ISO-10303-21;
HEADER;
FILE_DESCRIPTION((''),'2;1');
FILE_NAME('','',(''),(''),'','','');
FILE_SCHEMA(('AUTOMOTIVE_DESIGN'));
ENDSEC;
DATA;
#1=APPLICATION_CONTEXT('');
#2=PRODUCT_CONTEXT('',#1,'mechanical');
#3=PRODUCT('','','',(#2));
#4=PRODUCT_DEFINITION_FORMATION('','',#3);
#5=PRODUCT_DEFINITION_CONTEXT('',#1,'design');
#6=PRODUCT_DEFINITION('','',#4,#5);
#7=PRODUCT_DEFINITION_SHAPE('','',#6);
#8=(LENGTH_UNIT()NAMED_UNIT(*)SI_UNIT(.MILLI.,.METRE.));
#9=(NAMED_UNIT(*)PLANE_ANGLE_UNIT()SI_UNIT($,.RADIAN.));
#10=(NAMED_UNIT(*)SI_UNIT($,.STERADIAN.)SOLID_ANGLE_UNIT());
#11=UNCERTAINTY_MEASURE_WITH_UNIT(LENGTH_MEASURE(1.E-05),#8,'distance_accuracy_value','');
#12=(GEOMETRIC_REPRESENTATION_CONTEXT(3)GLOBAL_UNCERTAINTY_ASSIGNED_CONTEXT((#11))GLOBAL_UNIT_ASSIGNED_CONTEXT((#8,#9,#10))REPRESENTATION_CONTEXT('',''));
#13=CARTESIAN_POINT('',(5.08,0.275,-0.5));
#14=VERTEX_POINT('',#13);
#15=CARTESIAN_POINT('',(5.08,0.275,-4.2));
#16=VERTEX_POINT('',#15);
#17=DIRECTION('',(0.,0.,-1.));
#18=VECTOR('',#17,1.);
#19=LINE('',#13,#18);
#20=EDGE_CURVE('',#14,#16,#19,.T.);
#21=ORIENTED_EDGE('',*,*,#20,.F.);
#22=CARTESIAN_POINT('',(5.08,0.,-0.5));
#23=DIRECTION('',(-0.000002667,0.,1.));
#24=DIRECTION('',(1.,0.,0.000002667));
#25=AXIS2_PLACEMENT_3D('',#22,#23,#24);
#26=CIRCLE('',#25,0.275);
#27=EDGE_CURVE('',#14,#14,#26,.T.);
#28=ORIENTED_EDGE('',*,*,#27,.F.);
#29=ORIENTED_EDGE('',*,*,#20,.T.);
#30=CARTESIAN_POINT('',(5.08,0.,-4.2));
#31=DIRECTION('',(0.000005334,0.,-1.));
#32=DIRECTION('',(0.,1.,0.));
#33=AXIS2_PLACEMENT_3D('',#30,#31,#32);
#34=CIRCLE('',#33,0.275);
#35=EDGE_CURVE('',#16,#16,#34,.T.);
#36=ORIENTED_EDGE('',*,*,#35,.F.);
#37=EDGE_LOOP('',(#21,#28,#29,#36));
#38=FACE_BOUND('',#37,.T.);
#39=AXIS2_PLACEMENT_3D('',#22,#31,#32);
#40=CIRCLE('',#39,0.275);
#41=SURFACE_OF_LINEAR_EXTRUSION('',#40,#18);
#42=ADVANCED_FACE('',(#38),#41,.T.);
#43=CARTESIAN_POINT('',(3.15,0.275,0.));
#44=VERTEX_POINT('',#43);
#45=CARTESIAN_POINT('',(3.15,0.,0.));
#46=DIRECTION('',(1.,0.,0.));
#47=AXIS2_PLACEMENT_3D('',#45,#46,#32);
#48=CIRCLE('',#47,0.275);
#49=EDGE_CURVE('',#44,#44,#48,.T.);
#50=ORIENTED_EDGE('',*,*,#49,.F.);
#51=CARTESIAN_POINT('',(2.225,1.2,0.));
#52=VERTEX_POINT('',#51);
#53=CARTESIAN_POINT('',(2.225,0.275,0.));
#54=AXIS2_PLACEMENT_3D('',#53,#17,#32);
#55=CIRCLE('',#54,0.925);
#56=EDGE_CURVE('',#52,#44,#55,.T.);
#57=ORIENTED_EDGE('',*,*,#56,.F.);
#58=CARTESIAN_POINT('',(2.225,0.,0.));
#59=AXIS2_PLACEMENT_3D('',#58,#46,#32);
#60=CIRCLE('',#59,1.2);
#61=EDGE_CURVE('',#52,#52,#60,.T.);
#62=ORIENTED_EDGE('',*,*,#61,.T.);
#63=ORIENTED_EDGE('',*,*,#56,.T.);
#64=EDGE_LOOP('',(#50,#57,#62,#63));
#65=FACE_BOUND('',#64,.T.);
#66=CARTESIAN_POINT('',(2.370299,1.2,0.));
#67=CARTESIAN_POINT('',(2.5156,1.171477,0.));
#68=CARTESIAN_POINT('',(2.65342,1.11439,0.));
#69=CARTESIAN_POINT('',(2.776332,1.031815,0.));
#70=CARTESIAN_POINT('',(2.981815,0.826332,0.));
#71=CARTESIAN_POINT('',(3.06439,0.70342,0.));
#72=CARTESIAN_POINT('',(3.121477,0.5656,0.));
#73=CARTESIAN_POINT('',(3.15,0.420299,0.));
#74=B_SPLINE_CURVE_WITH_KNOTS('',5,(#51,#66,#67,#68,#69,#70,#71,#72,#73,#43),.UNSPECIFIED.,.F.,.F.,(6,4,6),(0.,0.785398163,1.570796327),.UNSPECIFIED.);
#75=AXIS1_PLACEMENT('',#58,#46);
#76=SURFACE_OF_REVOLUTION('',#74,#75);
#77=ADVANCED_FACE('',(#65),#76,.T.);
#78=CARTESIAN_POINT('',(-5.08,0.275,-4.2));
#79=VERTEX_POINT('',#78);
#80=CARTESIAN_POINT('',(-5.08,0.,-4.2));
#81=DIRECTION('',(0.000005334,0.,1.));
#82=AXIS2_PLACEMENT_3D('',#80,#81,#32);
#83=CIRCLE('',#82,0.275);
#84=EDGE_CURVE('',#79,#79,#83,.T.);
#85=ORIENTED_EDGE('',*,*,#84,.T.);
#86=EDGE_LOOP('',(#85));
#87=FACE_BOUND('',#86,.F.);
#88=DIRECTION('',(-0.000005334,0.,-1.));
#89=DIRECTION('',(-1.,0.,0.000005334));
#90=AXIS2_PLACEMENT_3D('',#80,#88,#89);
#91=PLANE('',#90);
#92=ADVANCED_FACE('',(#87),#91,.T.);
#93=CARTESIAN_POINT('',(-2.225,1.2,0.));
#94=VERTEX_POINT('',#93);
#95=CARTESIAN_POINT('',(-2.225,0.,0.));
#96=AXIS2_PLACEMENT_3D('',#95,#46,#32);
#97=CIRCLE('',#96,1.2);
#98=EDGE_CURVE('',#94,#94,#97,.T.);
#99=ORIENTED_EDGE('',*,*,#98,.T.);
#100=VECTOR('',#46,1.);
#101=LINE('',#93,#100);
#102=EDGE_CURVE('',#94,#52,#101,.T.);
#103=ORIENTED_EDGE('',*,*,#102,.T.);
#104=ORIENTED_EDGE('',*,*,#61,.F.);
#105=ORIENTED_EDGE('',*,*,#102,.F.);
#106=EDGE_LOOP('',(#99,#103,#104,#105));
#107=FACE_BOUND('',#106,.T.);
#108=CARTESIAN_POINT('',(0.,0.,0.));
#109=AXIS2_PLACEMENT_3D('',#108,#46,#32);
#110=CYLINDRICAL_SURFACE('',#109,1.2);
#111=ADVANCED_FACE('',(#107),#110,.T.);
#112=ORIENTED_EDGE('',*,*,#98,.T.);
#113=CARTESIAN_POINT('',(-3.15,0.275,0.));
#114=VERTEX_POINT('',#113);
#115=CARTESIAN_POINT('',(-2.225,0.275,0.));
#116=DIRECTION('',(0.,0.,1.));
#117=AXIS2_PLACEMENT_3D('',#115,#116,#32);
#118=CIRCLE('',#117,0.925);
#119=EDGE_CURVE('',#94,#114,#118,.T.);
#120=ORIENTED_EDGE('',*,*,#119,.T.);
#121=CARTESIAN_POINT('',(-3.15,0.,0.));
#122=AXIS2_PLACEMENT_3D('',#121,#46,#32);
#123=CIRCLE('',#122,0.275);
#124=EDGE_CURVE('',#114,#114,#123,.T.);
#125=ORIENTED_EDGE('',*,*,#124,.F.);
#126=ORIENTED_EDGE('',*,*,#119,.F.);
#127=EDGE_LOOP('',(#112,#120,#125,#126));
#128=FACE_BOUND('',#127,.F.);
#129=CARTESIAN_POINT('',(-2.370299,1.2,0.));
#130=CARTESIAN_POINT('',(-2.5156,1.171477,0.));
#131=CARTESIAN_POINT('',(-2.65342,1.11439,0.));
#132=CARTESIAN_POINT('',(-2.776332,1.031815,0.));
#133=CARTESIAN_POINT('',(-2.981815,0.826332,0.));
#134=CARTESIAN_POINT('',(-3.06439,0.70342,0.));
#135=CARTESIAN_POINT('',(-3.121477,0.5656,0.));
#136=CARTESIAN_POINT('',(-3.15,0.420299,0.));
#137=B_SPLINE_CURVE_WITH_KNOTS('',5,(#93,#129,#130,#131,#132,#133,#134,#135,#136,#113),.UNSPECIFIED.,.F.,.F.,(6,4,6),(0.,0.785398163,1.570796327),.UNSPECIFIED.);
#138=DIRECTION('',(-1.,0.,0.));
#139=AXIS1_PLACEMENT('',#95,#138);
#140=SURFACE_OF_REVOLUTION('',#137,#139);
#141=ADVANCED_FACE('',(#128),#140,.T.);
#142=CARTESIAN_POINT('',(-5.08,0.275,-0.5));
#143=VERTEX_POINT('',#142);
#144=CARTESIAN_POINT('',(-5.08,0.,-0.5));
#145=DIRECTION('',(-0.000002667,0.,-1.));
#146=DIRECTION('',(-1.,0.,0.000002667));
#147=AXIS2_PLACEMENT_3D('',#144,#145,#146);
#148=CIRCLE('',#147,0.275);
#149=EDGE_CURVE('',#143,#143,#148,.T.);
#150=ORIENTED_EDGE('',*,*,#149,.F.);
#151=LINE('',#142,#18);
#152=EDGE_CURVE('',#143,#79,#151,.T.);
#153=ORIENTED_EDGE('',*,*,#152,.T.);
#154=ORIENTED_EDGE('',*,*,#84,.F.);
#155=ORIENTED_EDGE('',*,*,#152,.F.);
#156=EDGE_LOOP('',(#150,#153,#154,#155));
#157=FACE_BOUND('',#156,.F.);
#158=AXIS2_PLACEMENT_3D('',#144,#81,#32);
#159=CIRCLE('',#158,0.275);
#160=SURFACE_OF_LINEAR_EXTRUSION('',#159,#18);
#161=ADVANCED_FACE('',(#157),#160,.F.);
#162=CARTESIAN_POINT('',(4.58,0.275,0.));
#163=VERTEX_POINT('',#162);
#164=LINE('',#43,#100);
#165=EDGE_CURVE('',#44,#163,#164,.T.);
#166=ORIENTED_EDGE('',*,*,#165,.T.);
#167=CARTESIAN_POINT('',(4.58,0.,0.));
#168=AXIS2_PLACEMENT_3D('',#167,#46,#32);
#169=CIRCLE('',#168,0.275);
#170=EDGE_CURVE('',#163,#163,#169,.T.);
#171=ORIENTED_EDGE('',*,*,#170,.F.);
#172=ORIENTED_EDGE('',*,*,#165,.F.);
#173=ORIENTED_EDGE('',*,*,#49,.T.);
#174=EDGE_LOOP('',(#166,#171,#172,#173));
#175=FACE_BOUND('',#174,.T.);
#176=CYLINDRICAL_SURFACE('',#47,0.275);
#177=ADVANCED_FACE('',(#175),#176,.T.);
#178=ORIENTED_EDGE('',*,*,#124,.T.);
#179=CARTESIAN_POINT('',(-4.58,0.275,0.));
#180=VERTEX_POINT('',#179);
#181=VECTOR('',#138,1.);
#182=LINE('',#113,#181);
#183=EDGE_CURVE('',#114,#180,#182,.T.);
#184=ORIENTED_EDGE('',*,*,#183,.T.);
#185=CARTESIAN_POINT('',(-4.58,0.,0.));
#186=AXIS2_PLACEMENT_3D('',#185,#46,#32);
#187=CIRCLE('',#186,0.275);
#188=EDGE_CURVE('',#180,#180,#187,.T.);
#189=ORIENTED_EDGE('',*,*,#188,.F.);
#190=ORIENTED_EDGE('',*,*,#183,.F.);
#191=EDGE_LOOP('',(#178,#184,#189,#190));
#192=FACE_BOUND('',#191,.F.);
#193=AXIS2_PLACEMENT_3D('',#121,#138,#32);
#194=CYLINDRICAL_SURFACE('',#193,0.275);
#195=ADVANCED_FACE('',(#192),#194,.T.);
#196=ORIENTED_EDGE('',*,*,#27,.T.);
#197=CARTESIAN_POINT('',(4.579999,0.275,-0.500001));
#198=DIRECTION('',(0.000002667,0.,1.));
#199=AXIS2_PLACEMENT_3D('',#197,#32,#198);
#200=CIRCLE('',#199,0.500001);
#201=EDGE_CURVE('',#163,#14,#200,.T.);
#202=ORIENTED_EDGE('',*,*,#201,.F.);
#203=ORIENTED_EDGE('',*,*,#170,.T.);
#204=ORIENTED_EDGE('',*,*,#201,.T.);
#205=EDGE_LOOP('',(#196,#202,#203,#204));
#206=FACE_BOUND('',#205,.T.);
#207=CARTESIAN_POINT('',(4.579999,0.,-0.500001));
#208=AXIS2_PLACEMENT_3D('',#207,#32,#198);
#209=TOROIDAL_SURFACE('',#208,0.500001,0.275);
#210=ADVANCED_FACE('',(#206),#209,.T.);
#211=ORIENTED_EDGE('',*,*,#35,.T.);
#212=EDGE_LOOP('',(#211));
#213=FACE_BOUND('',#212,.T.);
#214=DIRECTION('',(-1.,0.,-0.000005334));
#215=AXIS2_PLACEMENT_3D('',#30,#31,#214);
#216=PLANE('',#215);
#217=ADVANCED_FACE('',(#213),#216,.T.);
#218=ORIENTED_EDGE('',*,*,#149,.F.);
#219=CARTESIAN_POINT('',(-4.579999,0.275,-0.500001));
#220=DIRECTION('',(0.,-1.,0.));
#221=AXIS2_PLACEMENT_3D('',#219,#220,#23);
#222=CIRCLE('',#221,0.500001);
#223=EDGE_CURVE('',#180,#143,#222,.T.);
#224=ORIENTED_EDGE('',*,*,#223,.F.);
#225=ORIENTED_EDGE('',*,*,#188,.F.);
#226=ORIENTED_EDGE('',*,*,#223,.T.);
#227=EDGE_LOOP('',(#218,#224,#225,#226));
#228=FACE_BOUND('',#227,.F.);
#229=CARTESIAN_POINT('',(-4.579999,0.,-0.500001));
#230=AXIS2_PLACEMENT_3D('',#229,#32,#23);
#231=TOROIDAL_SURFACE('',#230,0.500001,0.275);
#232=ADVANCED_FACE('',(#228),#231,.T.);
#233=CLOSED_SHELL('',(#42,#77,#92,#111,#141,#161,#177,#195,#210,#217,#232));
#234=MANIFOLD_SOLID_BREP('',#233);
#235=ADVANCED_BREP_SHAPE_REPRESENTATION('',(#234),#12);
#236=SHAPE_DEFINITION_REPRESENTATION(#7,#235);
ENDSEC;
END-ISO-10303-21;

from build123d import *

# Parameters (mm, degrees)
F0_R     = 1.2
F1_DEPTH = 3.15
F2_R     = 0.925
F3_R     = 0.275


with BuildPart() as f1:
    # F0 (on Right) → F1 (new body)
    with BuildSketch(Plane.YZ):
        Circle(F0_R)
    extrude(amount=F1_DEPTH)

    # F2
    f2_edges = [f1.edges().sort_by_distance(p)[0] for p in [
        (3.15, -1.2, 0),
    ]]
    fillet(f2_edges, radius=F2_R)

    # F5: sweep along a path in F4
    with BuildLine(Plane.XZ) as f5_path:
        Line((3.15, 0), (4.58, 0))
        ThreePointArc((4.58, 0), (4.933553, -0.146447), (5.08, -0.5))
        Line((5.08, -0.5), (5.08, -4.2))
    # F3 (on face) → F5 (sweep)
    with BuildSketch(Plane.YZ.offset(3.15)):
        Circle(F3_R)
    sweep(path=f5_path.line)

    # F6: F1 across face


with BuildPart() as f1_1:
    add(f1.part)
    add(f1.part.mirror(Plane(origin=(0, 0, 0), x_dir=(0, 1, 0), z_dir=(-1, 0, 0))))


solid = f1_1.part
